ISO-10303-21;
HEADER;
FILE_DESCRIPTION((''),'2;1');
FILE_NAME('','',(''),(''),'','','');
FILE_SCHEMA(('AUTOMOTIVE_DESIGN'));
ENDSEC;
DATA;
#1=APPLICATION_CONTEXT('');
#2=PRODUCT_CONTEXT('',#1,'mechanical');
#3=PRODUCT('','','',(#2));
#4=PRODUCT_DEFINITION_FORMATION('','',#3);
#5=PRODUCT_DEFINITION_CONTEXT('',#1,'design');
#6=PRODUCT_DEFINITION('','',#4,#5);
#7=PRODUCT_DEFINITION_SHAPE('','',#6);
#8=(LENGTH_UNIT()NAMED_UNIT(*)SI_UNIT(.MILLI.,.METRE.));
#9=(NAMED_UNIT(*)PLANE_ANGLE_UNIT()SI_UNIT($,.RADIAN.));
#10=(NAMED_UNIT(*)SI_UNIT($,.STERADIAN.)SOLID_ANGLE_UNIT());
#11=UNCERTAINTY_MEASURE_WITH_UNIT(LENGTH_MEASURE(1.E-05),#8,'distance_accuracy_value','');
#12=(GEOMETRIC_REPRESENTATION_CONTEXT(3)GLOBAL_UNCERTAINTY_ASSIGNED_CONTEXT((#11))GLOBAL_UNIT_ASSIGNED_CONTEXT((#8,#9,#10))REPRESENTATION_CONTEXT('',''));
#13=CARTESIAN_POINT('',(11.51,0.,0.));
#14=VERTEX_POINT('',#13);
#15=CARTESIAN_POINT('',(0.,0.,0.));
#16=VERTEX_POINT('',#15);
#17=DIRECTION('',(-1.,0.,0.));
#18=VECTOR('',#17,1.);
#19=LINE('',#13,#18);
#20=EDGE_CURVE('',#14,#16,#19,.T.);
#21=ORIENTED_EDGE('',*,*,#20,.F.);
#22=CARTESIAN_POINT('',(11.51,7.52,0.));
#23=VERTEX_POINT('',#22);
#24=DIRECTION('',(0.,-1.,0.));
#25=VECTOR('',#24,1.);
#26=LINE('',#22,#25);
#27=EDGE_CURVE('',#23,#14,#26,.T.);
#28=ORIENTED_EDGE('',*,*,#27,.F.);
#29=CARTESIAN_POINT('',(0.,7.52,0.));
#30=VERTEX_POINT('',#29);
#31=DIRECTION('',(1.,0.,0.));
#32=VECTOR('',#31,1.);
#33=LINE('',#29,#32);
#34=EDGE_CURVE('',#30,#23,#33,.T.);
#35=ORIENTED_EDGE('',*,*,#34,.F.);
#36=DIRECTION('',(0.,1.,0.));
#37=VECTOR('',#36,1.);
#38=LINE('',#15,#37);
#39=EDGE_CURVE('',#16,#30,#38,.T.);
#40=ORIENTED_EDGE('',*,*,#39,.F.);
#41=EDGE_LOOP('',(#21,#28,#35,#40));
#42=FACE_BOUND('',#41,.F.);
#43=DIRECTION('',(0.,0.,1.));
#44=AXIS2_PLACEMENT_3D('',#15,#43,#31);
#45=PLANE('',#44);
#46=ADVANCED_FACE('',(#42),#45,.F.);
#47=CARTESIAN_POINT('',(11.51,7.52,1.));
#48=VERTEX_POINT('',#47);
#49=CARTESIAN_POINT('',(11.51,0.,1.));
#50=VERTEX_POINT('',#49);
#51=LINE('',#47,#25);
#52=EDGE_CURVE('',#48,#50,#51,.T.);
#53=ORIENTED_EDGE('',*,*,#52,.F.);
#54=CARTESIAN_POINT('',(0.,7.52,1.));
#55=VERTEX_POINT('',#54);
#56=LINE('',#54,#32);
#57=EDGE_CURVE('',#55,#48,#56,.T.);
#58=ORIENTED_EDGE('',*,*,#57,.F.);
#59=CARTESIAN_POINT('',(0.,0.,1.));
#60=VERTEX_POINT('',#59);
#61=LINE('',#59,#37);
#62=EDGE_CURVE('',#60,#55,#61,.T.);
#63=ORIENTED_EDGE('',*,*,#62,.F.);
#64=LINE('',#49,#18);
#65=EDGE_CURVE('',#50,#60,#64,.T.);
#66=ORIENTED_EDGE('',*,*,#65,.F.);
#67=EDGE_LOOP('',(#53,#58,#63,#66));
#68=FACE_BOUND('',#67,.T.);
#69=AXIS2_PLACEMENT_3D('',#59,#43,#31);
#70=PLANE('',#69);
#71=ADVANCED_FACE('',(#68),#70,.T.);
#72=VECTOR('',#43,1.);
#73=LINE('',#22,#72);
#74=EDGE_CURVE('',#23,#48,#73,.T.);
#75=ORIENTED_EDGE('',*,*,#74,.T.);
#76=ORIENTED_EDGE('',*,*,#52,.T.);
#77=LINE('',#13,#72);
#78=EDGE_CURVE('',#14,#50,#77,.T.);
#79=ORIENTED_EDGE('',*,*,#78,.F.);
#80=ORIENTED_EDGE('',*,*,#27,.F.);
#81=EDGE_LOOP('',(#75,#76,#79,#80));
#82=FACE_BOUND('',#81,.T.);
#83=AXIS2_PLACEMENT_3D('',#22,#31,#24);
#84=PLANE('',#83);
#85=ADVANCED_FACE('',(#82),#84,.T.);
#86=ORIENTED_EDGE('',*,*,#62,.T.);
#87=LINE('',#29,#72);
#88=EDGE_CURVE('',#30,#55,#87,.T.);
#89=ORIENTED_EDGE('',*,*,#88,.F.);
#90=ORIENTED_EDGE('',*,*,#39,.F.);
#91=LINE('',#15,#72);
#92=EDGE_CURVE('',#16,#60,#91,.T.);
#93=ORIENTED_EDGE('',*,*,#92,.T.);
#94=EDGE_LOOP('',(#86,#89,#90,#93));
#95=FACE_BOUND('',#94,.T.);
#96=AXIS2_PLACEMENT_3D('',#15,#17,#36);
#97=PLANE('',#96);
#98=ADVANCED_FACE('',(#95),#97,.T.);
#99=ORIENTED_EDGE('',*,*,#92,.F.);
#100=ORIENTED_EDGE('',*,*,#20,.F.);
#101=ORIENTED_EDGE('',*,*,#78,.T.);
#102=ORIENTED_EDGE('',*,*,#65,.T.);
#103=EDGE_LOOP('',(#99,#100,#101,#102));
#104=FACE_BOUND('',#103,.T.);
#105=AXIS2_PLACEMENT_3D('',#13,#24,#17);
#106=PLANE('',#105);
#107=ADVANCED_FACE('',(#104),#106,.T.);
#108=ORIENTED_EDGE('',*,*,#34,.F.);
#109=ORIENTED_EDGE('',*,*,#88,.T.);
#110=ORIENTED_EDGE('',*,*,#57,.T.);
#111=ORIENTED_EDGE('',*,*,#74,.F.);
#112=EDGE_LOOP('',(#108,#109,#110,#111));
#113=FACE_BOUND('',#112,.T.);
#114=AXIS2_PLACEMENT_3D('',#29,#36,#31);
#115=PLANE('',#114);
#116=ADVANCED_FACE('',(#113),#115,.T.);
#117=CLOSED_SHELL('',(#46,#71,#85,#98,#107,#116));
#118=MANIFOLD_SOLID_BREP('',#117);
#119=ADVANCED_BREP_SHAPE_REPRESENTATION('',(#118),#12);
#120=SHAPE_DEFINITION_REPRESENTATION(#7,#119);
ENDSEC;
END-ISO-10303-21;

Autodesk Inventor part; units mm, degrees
ref_plane "YZ Plane" through (0, 0, 0) normal (1, 0, 0) x (0, 1, 0)
ref_plane "XZ Plane" through (0, 0, 0) normal (0, 1, 0) x (-1, 0, 0)
ref_plane "XY Plane" through (0, 0, 0) normal (0, 0, 1) x (1, 0, 0)
sketch "GESTURESENSE_TEXT, GESTURESENSE_LOGOSTEXT_67" plane through (0, 0, 0) normal (0, 0, 1) x (1, 0, 0)
  line L0 (0, 7.52) -> (11.51, 7.52)
  line L1 (11.51, 7.52) -> (11.51, 0)
  line L2 (11.51, 0) -> (0, 0)
  line L3 (0, 0) -> (0, 7.52)
extrude "Extrusion1" add sketch "GESTURESENSE_TEXT, GESTURESENSE_LOGOSTEXT_67" along normal blind 1
properties part number "GESTURESENSE_LOGOSTEXT"
